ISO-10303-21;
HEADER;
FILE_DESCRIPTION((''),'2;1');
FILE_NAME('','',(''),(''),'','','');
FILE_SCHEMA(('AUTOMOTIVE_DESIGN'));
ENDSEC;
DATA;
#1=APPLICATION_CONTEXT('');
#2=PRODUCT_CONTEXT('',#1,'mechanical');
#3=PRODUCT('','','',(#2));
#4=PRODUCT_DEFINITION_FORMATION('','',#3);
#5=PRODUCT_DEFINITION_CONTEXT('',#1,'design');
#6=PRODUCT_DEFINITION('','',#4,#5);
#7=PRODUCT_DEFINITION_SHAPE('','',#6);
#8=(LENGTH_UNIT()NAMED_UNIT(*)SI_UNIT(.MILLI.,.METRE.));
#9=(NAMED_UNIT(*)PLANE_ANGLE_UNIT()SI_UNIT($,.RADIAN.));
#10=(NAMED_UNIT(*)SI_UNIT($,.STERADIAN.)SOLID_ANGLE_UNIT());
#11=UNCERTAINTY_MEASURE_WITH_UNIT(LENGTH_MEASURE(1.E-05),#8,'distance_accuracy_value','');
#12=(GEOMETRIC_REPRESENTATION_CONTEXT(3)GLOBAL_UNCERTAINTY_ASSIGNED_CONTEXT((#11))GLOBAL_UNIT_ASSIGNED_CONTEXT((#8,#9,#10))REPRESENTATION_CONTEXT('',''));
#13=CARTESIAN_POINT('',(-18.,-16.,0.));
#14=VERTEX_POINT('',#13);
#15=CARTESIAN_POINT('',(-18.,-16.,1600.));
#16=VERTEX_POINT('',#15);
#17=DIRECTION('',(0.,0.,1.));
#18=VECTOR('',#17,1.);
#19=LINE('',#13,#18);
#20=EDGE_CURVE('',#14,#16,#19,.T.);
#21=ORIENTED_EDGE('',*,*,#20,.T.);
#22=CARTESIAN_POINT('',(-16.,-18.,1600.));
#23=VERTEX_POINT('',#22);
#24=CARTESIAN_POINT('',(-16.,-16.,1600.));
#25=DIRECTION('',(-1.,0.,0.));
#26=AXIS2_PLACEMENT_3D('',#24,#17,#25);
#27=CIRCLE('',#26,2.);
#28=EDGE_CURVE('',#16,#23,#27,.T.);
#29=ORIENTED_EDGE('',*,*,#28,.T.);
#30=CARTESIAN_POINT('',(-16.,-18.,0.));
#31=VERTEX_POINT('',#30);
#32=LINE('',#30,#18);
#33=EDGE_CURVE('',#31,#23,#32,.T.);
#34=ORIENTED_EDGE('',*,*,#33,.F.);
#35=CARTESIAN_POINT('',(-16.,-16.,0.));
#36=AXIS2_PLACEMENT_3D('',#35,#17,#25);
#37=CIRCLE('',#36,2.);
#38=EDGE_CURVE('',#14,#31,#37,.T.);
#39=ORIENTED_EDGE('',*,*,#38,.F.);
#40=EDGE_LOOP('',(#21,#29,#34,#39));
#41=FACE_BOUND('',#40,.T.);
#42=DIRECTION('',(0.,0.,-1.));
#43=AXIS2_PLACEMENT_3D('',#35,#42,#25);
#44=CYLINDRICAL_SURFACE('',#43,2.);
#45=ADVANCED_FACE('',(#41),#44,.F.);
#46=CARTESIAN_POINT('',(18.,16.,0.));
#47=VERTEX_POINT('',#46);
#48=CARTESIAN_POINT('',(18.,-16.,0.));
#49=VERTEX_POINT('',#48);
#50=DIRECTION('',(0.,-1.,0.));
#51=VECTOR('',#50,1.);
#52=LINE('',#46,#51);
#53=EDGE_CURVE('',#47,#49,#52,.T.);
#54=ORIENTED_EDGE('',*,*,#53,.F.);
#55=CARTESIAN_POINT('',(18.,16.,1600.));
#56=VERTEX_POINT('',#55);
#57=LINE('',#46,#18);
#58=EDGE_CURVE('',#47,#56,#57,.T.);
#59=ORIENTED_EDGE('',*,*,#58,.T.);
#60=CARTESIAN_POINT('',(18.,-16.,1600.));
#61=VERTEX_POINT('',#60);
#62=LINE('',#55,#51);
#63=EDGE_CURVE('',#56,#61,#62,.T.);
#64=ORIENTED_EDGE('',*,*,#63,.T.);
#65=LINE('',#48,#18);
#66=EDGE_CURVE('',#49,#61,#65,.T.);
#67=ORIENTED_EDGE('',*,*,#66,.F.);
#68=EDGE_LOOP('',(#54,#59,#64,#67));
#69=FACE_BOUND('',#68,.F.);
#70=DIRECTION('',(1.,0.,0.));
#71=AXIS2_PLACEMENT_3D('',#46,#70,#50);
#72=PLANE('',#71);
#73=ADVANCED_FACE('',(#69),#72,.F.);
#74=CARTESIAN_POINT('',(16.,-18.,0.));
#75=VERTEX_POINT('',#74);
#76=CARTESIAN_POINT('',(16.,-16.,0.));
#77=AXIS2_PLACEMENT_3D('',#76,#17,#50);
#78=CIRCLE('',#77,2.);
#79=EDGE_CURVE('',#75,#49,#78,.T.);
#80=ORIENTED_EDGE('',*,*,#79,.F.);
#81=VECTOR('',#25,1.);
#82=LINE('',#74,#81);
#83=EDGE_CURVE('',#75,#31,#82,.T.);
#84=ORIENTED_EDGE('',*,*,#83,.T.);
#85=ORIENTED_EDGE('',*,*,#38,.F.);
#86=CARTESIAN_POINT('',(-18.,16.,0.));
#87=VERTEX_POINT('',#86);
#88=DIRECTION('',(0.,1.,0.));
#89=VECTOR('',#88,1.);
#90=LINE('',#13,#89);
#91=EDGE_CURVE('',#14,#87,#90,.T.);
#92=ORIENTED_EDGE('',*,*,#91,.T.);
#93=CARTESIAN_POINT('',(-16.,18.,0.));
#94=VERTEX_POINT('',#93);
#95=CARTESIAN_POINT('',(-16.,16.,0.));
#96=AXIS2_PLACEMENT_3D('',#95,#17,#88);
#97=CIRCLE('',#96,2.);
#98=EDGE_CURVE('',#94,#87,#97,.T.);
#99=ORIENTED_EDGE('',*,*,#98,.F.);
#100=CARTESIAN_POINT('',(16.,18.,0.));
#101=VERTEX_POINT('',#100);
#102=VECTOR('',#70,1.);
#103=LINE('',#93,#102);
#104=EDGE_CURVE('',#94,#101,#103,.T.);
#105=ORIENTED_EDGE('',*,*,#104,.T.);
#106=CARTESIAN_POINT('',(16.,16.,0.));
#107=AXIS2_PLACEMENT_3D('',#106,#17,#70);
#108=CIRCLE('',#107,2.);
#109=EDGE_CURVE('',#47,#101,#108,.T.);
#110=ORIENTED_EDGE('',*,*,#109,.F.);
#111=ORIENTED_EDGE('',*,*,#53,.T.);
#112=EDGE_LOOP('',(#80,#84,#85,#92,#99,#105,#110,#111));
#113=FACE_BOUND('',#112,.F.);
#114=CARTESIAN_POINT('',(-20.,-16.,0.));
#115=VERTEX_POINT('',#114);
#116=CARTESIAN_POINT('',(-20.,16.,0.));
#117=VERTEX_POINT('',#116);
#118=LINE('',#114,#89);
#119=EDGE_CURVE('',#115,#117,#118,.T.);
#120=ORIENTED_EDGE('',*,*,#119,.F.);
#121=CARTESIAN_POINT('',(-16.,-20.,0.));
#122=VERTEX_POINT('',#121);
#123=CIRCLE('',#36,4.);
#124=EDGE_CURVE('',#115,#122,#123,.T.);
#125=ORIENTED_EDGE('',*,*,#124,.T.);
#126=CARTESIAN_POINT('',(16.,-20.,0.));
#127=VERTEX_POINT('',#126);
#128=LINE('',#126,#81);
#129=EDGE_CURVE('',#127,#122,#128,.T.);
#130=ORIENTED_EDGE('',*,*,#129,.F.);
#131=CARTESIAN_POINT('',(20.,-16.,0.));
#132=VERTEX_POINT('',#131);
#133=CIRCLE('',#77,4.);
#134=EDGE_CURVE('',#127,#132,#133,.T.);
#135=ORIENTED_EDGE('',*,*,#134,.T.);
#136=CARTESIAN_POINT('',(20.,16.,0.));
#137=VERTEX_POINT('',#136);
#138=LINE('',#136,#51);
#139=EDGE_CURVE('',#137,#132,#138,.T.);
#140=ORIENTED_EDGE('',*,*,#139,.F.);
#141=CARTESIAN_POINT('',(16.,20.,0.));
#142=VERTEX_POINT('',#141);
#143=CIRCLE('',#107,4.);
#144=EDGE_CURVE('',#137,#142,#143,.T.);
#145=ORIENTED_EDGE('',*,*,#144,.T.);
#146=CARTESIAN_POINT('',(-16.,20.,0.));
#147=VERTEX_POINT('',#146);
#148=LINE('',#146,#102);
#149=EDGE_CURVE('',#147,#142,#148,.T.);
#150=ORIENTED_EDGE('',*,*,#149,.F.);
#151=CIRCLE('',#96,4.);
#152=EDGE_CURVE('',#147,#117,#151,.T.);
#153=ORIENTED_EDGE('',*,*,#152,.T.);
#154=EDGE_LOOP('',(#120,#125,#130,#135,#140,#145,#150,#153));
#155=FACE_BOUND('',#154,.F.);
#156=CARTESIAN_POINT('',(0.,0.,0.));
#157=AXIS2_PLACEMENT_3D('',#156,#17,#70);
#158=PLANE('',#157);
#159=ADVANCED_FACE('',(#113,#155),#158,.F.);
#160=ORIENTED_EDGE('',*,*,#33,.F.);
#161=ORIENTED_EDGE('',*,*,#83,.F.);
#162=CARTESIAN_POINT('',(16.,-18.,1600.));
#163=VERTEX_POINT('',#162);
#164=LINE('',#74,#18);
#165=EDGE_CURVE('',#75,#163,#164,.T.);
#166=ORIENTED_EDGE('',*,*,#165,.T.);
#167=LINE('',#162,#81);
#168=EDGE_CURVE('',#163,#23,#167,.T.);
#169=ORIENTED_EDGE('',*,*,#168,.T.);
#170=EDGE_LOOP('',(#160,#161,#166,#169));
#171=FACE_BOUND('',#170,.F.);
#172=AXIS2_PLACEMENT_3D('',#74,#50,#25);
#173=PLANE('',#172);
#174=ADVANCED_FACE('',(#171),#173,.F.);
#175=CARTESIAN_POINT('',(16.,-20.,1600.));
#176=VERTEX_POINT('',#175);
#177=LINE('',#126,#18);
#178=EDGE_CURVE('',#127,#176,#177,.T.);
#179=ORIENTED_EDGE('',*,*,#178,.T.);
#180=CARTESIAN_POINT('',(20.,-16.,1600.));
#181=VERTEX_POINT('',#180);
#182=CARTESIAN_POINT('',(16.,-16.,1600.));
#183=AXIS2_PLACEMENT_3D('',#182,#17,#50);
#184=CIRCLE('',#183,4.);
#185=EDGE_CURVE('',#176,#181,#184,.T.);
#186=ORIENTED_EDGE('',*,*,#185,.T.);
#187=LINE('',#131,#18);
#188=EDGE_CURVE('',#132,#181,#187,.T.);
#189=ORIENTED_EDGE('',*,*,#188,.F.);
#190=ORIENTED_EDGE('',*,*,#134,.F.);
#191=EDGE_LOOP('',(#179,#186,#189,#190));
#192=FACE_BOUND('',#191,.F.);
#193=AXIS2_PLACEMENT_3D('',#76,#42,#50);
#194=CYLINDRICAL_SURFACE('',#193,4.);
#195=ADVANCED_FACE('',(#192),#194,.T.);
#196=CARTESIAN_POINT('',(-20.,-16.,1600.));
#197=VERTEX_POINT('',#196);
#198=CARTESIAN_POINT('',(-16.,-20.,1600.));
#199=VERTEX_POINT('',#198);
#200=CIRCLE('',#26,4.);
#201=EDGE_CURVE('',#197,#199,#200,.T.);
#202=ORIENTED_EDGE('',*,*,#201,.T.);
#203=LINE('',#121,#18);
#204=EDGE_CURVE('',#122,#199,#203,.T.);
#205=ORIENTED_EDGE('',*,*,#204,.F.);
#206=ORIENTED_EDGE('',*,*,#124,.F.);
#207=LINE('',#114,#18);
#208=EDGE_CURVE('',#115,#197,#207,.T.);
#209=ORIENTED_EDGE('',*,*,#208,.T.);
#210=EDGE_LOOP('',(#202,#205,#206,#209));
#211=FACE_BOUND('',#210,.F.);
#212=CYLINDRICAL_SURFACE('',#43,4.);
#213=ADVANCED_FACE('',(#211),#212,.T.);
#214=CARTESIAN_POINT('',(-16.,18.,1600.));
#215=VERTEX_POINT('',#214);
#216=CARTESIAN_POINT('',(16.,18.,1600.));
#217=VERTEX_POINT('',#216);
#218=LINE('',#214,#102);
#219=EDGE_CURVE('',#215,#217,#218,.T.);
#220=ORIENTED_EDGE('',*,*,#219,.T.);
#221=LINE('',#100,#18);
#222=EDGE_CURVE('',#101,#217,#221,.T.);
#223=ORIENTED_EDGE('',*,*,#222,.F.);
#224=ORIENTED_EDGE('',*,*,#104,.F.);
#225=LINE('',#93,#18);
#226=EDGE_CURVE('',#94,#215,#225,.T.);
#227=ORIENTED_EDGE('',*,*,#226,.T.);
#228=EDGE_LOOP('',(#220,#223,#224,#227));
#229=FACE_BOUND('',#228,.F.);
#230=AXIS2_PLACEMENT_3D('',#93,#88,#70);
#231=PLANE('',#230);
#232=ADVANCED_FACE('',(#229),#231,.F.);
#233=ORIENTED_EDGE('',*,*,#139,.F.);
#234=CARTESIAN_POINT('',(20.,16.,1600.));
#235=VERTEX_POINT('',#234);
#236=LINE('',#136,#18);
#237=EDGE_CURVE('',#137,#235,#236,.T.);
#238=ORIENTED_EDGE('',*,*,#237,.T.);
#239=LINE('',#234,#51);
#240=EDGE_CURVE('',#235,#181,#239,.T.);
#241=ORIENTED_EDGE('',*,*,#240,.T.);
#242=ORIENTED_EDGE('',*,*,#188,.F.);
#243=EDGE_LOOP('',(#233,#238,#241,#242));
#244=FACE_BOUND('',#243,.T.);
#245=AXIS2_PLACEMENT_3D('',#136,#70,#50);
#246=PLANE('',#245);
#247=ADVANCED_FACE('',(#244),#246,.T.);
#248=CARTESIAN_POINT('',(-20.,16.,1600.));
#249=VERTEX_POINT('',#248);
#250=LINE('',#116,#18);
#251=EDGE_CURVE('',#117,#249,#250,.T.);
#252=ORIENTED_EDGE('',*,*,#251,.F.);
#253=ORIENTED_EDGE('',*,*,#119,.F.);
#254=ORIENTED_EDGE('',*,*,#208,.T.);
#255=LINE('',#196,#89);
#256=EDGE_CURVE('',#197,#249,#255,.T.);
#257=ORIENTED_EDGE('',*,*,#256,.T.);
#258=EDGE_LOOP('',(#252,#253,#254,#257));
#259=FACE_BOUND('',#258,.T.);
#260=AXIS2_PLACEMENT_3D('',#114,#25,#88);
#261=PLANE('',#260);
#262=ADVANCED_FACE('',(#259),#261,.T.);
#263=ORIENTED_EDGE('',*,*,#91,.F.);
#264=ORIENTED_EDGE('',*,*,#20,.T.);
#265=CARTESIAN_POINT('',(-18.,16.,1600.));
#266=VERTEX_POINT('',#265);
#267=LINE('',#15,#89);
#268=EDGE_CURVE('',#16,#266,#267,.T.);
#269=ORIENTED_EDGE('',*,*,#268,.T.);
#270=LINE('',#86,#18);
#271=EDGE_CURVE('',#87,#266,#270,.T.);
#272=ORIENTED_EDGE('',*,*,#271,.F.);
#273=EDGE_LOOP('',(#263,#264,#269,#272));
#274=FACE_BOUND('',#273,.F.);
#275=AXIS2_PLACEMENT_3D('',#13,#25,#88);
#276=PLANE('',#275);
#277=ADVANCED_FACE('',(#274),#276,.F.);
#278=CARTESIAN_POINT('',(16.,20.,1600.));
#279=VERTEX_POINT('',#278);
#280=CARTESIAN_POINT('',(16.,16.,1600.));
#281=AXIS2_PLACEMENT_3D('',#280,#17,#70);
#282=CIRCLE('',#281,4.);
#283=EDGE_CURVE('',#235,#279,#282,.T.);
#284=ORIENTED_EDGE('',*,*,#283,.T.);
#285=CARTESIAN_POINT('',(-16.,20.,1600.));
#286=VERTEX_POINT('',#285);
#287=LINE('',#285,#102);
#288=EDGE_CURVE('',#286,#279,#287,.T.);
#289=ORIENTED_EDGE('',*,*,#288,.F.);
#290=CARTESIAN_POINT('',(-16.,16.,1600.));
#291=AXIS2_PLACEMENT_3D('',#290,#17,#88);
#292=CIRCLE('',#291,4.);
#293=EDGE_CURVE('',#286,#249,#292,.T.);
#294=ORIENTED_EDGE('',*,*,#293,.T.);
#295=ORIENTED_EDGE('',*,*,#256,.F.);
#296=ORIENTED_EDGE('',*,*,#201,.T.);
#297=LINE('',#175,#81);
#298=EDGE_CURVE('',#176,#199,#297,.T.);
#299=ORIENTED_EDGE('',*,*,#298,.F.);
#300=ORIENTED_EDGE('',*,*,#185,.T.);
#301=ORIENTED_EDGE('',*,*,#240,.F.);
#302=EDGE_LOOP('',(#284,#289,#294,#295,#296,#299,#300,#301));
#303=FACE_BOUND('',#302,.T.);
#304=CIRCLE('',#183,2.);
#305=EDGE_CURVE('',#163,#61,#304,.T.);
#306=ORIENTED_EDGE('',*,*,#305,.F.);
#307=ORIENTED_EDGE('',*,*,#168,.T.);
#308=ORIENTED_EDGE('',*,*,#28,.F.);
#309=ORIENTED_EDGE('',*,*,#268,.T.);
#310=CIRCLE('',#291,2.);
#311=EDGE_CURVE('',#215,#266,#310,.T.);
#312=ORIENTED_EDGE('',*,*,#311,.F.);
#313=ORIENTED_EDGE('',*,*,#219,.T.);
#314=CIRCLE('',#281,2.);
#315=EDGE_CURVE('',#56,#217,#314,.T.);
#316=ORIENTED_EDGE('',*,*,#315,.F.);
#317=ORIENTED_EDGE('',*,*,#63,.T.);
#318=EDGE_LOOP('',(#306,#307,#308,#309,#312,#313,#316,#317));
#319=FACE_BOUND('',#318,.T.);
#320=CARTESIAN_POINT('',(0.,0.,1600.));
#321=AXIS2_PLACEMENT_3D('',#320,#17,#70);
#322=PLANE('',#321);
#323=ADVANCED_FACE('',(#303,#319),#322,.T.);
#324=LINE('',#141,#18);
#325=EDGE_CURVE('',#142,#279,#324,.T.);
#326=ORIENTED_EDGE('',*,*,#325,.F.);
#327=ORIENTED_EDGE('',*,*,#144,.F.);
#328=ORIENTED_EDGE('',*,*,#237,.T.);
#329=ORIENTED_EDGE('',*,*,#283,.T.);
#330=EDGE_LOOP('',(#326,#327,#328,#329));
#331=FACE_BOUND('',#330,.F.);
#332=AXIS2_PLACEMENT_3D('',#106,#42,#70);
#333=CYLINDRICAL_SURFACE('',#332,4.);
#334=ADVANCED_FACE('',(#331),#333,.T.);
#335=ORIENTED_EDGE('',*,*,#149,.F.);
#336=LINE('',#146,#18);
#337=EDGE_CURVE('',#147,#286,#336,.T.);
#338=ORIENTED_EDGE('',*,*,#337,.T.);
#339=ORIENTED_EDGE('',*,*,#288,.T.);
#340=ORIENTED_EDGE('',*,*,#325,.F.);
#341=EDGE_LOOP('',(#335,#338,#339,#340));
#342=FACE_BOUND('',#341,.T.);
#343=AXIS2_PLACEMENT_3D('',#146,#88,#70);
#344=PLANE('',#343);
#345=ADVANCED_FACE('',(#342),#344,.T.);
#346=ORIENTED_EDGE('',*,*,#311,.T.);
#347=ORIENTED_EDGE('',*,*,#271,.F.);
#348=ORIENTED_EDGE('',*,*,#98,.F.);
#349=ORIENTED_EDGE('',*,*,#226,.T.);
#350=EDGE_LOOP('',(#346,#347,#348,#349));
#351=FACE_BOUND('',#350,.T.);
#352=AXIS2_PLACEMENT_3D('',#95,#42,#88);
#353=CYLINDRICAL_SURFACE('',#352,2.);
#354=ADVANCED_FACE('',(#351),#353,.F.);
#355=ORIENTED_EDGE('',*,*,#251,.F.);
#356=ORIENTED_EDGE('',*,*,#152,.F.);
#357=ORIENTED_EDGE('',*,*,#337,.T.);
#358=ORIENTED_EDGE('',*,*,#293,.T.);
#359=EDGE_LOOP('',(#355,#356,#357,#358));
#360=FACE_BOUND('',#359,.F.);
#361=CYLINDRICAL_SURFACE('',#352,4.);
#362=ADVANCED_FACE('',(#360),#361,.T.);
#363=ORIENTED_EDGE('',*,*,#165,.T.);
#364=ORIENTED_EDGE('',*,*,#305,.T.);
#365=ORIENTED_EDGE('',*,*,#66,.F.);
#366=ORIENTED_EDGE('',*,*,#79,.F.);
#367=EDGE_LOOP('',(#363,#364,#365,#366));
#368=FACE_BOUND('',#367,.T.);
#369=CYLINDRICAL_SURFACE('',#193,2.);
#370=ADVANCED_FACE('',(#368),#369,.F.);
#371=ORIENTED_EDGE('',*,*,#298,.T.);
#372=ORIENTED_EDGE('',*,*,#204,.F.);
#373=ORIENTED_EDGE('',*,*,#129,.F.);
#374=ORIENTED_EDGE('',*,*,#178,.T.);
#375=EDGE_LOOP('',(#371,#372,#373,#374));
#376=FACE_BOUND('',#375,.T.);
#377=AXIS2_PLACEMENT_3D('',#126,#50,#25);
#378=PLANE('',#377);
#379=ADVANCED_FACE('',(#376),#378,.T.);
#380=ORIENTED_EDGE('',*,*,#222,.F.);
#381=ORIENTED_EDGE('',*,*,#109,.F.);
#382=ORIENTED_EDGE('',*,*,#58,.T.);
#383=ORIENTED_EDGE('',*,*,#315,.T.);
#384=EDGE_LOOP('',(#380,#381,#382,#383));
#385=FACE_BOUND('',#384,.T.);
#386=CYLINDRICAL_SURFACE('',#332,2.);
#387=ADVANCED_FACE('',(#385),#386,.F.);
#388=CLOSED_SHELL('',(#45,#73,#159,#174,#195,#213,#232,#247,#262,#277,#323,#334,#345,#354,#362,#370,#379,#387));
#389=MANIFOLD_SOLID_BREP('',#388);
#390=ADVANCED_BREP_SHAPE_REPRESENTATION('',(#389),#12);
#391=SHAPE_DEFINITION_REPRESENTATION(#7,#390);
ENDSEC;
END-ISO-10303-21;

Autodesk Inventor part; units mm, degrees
ref_plane "YZ Plane" through (0, 0, 0) normal (1, 0, 0) x (0, 1, 0)
ref_plane "Start plane" through (0, 0, 0) normal (0, 0, 1) x (1, 0, 0)
ref_plane "End plane" through (0, 0, 1600) normal (0, 0, 1) x (1, 0, 0)
sketch "Sketch" plane through (0, 0, 0) normal (0, 0, 1) x (1, 0, 0)
  line L0 (-20, -16) -> (-20, 16)
  line L1 (-16, 20) -> (16, 20)
  line L2 (20, 16) -> (20, -16)
  line L3 (16, -20) -> (-16, -20)
  arc A0 (-20, -16) -> (-16, -20) centre (-16, -16) ccw
  arc A1 (20, 16) -> (16, 20) centre (16, 16) ccw
  arc A2 (-16, 20) -> (-20, 16) centre (-16, 16) ccw
  arc A3 (16, -20) -> (20, -16) centre (16, -16) ccw
  arc A4 (-16, 18) -> (-18, 16) centre (-16, 16) ccw
  line L4 (-16, 18) -> (16, 18)
  arc A5 (18, 16) -> (16, 18) centre (16, 16) ccw
  line L5 (18, 16) -> (18, -16)
  arc A6 (16, -18) -> (18, -16) centre (16, -16) ccw
  line L6 (16, -18) -> (-16, -18)
  arc A7 (-18, -16) -> (-16, -18) centre (-16, -16) ccw
  line L7 (-18, -16) -> (-18, 16)
  line L8 (0, 36.7397) -> (0, -36.7397) construction
  line L9 (-36.7397, 0) -> (36.7397, 0) construction
  dimension "d7" = 4
  dimension "d9" = 40
  dimension "d11" = 40
  dimension "d12" = 2
  dimension "d15" = 20
  dimension "d16" = 20
extrude "Body" add sketch "Sketch" along normal up to surface (1600 mm away) from surface at 0
sketch "Sketch3" plane through (0, 0, 0) normal (0, 0, 1) x (1, 0, 0)
  line L0 (0, 0) -> (10, 0)
ref_plane "Work Plane3" through (0, 0, 0) normal (0, -1, 0) x (1, 0, 0)
sketch "Sketch4" plane through (0, 0, 0) normal (0, -1, 0) x (1, 0, 0)
  line L0 (-2, 0) -> (12, 0) projected
  line L1 (-2, 1600) -> (12, 1600) projected
  dimension "d18" = 1600
equation "\"d7\" = G_IR"
equation "\"d9\" = G_W"
equation "\"d11\" = G_H"
equation "\"d12\" = G_T"
equation "\"d15\" = 0.5 * d9"
equation "\"d16\" = 0.5 * d11"
equation "\"d3\" = G_L"
equation "\"G_W\" = 40"
equation "\"G_H\" = 40"
equation "\"G_T\" = 2"
equation "\"G_IR\" = 4"
equation "\"G_L\" = d18"
equation "\"G_OFFSET_START\" = 0"
equation "\"G_OFFSET_END\" = 0"
properties part number "ISO 10799-2 - 40x40x2 - 1600" material "Steel, Mild"
